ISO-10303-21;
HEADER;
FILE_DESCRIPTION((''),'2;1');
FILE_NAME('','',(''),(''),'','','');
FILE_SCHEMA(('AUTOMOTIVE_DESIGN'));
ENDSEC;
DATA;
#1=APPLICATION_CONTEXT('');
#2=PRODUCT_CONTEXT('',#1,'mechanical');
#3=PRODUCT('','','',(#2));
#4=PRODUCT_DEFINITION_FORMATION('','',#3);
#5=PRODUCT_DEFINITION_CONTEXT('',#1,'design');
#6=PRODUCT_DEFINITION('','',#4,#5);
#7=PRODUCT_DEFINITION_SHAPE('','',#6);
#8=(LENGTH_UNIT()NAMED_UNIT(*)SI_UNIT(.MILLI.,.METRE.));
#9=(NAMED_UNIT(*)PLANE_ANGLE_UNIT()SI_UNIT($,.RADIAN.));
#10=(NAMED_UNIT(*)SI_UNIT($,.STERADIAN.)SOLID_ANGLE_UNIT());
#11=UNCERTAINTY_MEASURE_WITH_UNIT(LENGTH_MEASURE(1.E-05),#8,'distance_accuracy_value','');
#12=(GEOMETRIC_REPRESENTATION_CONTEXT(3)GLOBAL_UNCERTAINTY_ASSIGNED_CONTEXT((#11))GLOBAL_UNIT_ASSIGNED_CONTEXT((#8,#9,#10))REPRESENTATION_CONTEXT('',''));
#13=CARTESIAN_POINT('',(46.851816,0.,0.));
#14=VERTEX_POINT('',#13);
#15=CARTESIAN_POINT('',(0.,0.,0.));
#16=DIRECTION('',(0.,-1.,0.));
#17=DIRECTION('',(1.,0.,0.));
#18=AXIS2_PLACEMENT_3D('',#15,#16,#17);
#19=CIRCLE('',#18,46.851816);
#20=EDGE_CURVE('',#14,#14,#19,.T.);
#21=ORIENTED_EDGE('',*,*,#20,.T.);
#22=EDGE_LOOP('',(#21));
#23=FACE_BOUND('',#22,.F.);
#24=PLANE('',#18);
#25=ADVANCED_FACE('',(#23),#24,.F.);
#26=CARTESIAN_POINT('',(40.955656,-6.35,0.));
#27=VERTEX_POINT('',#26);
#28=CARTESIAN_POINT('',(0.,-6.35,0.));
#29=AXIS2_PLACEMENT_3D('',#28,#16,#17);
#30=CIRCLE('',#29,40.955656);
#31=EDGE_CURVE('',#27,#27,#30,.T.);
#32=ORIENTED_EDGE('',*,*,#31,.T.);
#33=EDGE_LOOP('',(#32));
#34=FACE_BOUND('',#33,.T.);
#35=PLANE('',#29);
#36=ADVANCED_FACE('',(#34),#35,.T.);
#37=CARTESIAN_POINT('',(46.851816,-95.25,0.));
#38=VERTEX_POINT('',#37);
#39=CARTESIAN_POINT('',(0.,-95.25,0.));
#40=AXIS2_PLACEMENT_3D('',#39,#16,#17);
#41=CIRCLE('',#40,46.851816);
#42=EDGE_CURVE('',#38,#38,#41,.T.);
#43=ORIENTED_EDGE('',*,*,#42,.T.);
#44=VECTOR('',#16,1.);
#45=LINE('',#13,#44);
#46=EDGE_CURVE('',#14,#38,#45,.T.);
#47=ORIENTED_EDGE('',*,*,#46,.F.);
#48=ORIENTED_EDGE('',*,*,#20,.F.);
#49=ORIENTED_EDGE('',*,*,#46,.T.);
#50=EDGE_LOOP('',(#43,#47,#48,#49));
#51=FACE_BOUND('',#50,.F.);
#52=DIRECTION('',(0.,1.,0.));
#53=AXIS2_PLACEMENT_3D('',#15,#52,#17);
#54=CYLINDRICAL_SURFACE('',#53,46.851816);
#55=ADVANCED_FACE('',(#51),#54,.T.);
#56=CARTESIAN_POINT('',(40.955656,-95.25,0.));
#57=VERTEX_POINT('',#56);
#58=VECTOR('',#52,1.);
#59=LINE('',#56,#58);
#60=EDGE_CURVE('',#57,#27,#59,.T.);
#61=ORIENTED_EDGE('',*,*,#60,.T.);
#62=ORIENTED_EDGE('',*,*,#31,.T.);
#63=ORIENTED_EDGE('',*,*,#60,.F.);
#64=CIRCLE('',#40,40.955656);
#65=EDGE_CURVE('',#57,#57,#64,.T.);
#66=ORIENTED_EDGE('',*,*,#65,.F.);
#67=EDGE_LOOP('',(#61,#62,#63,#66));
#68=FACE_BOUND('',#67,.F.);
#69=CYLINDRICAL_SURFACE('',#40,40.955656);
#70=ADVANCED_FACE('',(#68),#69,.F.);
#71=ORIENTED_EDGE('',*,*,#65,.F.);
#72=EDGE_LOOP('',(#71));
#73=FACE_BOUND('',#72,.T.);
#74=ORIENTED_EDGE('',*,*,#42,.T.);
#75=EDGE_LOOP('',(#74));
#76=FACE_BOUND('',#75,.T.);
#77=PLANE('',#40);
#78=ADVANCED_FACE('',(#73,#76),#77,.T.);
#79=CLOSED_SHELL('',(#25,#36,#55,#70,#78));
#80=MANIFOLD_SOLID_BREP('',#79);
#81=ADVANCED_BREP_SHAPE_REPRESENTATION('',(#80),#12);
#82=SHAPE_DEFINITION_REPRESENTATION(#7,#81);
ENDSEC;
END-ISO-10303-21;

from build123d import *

# Parameters (mm, degrees)
F0_R     = 46.851816
F1_DEPTH = 95.25
F2_R     = 40.955656
F3_DEPTH = 88.9


with BuildPart() as f1:
    # F0 (on Front) → F1 (new body)
    with BuildSketch(Plane.XZ):
        Circle(F0_R)
    extrude(amount=F1_DEPTH)

    # F2 (on face) → F3 (cut)
    with BuildSketch(Plane.XZ.offset(95.25)):
        Circle(F2_R)
    extrude(amount=-F3_DEPTH, mode=Mode.SUBTRACT)


solid = f1.part
